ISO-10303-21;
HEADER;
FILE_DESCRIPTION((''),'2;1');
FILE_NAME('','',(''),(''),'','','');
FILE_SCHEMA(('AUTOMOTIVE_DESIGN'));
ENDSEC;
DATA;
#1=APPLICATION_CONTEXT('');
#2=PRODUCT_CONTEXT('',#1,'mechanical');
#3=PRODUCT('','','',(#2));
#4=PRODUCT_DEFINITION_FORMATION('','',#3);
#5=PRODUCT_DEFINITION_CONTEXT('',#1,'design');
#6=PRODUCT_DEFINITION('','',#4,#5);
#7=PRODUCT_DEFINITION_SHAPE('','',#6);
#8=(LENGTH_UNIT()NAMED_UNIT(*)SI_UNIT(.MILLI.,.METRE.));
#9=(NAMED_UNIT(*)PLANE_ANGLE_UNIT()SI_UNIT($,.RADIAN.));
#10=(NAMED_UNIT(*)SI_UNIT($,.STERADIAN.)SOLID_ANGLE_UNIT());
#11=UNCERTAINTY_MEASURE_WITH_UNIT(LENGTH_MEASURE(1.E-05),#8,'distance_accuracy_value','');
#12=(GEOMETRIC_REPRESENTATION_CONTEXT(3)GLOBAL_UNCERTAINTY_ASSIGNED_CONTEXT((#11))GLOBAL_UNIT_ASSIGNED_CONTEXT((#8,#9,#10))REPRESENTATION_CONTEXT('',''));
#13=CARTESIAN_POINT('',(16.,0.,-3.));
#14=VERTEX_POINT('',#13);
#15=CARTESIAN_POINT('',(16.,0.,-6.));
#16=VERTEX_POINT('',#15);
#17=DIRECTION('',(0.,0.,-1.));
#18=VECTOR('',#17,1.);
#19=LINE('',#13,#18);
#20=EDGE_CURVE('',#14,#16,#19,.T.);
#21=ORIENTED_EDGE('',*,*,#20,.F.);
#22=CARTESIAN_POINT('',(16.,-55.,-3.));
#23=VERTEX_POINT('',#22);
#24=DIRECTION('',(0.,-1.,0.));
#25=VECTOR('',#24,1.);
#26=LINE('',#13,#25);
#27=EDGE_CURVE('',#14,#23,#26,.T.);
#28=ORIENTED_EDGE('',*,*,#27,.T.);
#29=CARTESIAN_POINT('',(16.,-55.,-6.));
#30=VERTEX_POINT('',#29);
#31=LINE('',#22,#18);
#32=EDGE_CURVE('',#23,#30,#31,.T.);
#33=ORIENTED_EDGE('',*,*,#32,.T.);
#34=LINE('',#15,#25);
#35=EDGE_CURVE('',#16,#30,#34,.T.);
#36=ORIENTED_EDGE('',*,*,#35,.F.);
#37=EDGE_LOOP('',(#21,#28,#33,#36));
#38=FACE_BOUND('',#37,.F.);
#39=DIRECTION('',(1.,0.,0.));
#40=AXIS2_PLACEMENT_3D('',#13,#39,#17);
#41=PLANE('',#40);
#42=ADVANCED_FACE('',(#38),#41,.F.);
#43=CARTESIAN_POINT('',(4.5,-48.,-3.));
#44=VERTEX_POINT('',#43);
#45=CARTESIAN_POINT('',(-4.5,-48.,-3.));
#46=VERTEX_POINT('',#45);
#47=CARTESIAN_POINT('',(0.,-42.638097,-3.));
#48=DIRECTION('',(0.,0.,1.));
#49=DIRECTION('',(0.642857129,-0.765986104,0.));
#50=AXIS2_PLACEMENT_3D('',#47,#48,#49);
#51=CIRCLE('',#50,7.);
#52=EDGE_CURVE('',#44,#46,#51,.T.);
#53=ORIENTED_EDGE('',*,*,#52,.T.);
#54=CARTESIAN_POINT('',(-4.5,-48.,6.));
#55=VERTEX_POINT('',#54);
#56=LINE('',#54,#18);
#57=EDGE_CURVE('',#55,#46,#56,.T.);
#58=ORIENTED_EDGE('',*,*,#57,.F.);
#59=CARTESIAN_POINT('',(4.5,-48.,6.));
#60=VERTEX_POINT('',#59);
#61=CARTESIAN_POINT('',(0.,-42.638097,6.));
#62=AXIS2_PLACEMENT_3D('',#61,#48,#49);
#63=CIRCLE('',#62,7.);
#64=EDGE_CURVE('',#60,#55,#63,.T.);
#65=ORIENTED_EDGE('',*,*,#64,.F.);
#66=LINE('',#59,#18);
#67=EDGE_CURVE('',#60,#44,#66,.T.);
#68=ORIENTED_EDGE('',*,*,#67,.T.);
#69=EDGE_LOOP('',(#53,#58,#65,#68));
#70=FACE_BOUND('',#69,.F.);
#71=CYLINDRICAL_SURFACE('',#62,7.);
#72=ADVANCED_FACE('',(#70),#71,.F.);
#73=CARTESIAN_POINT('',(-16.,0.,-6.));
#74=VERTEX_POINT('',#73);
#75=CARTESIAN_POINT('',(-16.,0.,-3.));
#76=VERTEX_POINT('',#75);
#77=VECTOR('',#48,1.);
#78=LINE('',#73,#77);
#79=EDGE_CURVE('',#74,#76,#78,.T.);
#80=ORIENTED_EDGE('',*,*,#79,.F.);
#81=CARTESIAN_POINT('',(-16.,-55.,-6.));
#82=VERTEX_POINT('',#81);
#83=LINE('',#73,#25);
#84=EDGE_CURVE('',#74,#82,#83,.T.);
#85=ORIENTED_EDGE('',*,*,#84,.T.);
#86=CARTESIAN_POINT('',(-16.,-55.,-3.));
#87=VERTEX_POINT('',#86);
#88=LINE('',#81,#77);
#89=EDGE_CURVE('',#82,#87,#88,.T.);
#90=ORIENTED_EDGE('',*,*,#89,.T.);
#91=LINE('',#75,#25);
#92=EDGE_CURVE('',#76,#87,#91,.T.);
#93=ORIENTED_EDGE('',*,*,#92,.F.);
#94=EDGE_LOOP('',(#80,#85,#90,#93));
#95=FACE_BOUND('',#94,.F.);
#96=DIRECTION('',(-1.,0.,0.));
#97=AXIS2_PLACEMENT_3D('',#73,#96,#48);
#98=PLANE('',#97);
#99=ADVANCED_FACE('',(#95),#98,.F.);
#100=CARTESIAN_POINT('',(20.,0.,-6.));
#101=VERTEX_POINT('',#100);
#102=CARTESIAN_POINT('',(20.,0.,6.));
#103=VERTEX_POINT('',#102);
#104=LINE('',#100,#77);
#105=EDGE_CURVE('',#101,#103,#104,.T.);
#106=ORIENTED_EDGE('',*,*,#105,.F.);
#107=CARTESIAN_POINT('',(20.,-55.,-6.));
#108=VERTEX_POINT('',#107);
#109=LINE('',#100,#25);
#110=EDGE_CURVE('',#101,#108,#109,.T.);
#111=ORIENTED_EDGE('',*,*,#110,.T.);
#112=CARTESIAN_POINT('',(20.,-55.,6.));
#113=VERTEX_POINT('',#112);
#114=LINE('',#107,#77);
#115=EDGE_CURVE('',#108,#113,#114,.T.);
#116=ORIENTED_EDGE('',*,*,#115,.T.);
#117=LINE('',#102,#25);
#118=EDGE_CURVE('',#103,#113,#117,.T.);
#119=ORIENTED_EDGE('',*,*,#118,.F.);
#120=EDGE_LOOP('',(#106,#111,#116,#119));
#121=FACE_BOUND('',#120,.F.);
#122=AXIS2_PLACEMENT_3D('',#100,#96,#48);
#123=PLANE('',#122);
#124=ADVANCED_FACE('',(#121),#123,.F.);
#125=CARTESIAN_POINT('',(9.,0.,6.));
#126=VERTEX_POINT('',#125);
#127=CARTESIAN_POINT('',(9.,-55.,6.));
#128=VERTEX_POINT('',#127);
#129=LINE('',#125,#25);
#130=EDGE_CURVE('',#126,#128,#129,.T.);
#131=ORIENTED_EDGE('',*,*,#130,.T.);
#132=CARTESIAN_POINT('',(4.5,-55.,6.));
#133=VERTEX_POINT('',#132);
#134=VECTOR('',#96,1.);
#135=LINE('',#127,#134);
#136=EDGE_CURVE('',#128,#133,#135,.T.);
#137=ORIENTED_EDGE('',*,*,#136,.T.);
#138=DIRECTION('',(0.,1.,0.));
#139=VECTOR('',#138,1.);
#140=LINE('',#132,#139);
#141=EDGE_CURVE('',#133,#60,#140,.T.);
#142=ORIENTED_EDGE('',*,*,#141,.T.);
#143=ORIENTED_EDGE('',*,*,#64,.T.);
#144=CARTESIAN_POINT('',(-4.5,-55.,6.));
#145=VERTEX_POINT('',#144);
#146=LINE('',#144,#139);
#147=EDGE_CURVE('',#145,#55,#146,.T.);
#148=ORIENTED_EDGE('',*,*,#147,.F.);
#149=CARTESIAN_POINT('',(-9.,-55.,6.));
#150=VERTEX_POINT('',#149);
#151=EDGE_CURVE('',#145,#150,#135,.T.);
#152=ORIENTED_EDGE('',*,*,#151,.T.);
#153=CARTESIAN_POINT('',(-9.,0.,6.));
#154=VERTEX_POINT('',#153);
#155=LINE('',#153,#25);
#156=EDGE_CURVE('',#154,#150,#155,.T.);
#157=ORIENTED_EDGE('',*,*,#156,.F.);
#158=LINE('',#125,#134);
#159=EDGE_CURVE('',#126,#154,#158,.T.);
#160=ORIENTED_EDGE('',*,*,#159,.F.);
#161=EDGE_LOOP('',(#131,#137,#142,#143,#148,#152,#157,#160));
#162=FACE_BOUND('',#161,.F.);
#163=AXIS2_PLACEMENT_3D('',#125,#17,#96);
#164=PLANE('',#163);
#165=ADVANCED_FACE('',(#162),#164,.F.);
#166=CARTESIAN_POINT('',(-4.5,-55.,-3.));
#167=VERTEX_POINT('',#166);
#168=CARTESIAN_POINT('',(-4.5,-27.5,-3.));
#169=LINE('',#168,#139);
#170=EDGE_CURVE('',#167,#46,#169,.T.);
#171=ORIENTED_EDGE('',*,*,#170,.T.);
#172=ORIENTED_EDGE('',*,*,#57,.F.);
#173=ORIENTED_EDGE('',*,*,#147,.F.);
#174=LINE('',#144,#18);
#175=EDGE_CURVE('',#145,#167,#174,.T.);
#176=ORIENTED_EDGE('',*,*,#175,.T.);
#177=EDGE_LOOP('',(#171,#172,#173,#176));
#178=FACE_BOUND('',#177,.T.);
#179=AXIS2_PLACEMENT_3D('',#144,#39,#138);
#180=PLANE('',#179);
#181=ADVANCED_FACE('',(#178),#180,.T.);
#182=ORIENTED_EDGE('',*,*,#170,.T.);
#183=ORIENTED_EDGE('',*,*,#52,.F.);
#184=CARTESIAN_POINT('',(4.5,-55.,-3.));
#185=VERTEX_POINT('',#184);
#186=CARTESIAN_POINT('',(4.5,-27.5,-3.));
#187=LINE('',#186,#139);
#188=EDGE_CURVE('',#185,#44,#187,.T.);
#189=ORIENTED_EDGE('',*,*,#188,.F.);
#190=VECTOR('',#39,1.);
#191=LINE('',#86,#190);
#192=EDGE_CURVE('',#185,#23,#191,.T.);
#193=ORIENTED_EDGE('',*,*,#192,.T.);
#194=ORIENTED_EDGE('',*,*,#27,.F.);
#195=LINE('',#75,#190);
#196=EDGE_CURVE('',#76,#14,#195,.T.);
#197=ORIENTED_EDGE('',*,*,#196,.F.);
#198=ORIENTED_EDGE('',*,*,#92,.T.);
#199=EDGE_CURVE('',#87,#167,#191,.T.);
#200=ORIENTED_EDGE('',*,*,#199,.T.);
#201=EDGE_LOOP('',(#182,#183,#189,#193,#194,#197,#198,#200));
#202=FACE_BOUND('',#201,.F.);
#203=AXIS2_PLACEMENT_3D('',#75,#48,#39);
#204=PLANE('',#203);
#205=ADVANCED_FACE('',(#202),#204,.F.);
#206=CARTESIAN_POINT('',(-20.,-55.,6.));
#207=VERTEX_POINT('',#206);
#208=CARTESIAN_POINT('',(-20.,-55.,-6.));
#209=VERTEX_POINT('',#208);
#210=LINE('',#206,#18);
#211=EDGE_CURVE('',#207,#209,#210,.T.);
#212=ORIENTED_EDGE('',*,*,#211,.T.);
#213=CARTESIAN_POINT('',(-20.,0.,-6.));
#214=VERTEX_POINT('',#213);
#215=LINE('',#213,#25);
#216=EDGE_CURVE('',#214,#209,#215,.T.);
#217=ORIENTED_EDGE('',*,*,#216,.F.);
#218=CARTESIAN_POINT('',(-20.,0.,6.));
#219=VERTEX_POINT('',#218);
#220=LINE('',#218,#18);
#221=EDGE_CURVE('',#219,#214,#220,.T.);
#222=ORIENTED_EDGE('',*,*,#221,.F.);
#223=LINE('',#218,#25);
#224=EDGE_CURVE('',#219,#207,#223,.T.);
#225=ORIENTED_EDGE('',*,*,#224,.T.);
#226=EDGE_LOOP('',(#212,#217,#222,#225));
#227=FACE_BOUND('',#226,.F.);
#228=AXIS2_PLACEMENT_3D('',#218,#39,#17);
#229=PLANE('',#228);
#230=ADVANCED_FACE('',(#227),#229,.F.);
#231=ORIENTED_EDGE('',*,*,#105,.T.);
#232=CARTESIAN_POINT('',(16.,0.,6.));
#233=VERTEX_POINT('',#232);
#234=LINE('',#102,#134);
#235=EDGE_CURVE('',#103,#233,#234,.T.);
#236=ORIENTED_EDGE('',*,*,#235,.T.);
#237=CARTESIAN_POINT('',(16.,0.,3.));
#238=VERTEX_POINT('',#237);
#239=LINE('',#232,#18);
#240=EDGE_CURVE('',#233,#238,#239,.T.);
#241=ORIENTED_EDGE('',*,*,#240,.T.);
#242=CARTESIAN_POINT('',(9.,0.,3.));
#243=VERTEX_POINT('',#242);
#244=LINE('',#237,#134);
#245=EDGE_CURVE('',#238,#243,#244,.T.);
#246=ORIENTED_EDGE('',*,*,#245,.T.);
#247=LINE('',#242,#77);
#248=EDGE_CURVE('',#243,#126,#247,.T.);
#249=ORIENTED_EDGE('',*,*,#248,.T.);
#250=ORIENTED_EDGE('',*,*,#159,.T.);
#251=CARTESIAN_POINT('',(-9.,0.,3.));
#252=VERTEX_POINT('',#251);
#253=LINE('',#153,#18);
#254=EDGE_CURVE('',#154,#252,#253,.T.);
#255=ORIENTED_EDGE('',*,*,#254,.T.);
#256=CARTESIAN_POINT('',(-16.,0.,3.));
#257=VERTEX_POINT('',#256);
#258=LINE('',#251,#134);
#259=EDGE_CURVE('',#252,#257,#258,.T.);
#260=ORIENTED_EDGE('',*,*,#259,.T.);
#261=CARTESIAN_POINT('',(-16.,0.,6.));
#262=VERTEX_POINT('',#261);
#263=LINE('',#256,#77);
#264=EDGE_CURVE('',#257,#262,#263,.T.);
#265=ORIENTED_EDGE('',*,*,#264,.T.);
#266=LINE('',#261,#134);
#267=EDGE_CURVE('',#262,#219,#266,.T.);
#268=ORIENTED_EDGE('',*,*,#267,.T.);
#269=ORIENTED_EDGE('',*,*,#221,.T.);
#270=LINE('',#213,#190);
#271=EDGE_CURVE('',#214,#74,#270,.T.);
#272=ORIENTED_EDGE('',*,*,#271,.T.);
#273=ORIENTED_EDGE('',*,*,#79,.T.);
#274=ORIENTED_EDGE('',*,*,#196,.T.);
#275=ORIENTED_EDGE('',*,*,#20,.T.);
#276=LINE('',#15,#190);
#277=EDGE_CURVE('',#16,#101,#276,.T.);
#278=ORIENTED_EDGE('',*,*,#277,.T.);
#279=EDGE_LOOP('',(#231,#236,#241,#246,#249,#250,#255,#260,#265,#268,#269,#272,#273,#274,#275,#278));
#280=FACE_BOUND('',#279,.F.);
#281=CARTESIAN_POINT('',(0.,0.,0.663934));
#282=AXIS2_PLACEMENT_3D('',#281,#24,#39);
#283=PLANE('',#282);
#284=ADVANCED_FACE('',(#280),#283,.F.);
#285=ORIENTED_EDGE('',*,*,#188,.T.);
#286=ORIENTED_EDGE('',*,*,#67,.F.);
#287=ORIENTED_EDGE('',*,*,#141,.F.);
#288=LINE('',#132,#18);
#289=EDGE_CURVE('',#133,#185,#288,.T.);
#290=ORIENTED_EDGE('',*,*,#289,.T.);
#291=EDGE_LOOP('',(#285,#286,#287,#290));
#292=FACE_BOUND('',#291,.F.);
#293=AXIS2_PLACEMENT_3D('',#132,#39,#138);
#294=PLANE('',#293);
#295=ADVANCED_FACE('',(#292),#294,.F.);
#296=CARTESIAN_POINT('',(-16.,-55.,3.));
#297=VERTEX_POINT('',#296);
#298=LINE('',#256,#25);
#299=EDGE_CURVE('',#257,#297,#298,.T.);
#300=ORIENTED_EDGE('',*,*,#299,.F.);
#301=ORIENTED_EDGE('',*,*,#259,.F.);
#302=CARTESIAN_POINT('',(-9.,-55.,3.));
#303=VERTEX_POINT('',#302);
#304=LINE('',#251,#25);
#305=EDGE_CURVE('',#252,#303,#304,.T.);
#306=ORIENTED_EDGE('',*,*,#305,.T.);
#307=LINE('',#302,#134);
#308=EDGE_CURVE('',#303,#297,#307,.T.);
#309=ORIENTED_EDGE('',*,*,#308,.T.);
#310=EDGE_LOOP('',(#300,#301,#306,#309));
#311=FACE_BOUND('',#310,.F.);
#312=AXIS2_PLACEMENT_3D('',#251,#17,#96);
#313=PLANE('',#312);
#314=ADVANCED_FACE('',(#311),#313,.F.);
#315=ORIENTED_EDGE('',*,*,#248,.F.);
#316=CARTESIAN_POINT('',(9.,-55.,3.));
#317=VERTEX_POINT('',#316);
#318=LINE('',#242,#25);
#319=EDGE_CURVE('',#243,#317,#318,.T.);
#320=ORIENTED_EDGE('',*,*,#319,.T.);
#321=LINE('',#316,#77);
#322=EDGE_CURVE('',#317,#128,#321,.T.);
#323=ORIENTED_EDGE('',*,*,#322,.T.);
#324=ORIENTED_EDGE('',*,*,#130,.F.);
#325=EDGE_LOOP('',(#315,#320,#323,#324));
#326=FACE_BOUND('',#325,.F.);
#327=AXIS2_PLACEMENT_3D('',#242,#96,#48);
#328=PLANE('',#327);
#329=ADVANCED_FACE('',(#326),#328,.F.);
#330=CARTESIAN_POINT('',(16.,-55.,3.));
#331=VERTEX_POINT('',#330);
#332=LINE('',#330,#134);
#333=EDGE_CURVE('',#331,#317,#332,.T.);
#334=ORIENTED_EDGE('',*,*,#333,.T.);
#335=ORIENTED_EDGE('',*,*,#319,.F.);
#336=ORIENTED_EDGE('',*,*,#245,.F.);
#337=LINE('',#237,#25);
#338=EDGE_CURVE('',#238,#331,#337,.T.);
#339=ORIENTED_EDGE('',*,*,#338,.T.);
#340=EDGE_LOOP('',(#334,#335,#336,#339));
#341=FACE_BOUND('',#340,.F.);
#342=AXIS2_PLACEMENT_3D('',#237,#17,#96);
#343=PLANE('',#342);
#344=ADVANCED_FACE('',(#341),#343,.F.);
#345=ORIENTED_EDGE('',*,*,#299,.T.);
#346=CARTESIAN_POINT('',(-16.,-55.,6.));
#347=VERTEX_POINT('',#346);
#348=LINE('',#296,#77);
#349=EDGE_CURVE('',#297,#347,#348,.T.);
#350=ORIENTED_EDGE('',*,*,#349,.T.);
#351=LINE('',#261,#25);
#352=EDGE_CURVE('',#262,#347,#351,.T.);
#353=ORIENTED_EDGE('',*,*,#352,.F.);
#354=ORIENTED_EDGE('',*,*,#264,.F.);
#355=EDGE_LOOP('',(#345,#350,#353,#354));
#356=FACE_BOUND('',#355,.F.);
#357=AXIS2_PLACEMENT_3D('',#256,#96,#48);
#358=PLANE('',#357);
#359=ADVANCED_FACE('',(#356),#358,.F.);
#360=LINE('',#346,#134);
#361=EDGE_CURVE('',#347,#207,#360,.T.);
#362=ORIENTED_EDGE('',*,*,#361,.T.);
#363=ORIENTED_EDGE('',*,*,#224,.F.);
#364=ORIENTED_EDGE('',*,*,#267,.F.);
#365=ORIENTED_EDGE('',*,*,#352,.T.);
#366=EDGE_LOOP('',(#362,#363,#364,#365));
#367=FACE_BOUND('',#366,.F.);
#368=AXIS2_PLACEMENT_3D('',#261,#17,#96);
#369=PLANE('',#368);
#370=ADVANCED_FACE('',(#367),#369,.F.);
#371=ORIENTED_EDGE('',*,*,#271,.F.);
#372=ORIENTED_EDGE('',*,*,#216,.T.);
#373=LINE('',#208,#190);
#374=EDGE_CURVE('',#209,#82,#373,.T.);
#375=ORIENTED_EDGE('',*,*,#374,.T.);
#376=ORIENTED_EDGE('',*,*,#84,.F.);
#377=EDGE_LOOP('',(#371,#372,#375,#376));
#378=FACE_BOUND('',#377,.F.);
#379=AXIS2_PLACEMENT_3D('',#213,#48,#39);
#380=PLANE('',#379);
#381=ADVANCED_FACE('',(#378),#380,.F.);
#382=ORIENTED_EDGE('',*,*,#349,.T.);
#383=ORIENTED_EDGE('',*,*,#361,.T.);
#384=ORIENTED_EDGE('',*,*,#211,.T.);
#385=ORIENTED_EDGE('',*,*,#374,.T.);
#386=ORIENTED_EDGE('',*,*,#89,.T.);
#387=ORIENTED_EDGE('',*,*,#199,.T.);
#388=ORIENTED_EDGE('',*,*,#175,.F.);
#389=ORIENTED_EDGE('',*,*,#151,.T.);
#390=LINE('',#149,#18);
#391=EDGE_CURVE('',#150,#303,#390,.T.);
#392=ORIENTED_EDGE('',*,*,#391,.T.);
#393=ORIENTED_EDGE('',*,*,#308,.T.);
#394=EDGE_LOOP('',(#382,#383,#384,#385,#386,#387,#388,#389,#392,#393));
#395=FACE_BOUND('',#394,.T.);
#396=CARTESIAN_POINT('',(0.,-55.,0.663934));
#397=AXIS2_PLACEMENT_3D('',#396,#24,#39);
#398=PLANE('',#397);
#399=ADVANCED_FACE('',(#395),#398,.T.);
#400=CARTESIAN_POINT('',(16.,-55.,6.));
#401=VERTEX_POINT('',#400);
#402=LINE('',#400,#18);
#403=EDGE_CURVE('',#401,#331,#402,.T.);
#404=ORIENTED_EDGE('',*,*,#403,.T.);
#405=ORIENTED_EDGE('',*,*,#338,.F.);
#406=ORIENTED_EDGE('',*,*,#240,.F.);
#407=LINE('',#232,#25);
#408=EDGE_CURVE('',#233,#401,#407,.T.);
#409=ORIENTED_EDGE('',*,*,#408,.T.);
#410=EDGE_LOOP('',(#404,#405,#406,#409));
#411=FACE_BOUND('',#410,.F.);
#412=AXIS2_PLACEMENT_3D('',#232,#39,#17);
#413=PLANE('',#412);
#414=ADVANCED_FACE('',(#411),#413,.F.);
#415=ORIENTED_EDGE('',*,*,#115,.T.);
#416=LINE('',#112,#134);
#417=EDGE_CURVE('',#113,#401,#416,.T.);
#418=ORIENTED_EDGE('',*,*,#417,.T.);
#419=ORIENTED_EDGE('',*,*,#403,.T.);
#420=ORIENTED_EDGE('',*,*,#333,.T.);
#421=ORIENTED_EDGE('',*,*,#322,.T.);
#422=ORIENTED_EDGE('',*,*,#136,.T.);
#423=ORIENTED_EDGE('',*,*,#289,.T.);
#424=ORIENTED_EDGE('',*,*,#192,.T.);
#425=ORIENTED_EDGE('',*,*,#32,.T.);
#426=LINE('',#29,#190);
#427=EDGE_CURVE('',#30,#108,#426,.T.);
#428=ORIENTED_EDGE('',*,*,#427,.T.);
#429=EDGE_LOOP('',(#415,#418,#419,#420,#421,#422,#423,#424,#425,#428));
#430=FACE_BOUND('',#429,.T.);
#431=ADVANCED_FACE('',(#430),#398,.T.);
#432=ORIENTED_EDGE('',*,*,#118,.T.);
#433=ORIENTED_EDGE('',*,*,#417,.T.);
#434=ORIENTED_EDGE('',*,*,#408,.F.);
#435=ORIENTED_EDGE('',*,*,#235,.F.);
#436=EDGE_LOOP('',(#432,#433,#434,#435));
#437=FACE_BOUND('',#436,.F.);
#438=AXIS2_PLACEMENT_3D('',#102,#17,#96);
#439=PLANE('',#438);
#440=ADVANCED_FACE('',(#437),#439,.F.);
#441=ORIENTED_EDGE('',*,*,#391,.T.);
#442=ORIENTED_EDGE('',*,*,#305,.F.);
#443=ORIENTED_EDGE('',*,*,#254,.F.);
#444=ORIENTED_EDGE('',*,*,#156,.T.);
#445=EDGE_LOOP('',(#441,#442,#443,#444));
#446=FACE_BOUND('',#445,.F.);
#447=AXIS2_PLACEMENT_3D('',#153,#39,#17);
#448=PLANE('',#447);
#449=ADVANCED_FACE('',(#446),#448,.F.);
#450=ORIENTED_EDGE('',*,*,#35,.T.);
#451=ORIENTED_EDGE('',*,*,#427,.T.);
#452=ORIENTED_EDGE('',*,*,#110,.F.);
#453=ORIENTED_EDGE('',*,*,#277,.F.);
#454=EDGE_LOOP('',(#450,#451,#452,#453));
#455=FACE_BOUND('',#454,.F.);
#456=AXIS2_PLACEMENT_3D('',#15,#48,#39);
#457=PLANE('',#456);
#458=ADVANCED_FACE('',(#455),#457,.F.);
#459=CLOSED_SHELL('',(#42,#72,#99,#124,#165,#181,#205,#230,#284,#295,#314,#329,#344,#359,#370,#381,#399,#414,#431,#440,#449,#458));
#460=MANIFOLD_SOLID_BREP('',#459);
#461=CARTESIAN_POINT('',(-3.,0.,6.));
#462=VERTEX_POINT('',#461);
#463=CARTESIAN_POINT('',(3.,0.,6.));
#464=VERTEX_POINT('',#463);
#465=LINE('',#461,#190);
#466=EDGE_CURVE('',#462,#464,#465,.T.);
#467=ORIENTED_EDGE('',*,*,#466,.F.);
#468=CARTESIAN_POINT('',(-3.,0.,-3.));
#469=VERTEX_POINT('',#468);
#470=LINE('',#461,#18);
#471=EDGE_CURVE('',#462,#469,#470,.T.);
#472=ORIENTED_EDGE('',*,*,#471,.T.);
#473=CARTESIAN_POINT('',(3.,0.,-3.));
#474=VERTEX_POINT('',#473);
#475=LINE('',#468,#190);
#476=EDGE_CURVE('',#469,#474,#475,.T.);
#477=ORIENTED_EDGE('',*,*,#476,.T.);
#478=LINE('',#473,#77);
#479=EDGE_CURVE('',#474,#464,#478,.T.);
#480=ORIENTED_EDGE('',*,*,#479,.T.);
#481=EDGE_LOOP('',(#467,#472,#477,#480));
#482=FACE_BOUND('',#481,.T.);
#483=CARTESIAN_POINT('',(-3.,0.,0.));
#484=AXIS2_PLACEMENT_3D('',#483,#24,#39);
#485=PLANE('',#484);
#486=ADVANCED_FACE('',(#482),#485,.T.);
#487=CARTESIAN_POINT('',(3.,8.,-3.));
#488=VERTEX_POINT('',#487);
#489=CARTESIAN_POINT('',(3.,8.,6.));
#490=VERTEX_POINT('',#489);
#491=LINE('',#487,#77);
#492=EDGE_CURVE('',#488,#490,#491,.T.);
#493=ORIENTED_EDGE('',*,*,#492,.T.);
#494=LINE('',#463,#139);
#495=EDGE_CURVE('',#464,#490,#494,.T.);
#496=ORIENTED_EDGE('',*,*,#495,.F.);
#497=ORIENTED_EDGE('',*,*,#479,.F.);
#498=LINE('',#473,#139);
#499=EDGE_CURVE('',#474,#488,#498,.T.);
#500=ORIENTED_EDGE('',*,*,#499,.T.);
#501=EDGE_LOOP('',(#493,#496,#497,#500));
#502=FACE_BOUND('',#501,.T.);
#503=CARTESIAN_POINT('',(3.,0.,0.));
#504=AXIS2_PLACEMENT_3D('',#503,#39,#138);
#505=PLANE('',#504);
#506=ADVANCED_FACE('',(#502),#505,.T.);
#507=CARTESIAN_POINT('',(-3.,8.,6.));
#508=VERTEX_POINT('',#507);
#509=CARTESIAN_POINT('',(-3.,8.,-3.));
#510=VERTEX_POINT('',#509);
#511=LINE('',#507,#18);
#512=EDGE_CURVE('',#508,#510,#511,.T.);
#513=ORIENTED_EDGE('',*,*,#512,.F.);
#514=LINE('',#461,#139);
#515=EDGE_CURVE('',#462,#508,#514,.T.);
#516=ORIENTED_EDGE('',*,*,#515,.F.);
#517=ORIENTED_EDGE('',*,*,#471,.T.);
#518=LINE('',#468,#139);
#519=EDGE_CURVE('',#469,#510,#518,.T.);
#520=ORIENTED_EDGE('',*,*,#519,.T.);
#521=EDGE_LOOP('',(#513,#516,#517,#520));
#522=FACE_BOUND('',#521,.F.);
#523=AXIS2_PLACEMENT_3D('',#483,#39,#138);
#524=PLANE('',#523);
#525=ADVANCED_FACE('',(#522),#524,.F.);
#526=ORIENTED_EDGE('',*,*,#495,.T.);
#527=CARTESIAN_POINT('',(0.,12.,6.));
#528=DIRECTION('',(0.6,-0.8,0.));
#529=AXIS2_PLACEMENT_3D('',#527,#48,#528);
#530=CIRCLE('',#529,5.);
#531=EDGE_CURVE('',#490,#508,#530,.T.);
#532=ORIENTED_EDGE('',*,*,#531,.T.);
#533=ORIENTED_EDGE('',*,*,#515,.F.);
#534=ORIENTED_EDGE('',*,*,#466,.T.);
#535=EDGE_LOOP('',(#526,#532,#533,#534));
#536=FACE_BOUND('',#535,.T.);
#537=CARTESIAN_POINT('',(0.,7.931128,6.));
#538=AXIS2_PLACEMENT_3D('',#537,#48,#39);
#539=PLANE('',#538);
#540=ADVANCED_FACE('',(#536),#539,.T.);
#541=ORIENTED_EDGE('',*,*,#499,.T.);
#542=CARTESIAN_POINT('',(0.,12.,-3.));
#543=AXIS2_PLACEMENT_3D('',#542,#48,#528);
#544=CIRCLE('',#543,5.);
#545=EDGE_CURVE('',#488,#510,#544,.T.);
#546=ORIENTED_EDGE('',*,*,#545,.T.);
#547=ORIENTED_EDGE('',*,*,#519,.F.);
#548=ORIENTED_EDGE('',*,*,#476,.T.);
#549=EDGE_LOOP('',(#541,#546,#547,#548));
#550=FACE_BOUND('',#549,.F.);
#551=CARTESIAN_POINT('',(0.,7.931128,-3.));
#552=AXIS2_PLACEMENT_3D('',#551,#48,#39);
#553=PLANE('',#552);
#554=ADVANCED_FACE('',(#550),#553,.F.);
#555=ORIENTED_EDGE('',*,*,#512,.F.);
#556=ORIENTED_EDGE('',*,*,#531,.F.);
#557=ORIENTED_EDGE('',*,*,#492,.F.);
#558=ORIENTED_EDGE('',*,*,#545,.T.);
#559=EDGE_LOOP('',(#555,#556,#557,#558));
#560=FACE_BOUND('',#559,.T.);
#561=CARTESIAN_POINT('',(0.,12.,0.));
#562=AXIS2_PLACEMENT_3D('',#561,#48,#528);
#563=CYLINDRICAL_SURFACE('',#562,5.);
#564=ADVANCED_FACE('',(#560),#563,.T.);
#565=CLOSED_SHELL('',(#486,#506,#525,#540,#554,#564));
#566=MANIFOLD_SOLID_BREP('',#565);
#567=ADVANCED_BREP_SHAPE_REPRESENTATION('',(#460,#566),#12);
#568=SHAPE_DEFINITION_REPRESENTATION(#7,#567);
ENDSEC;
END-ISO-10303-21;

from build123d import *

# Parameters (mm, degrees)
PAD_DEPTH         = 55
POCKET_DEPTH      = 12.001
PAD001_DEPTH      = 6
PAD001_DEPTH_BACK = 3


with BuildPart() as body:
    # Sketch → Pad (new body)
    with BuildSketch(Plane.XZ):
        Polygon((-20, 6), (-20, -6), (-16, -6), (-16, -3), (-9, -3), (9, -3), (16, -3), (16, -6), (20, -6), (20, 6), (16, 6), (16, 3), (9, 3), (9, 6), (-9, 6), (-9, 3), (-16, 3), (-16, 6), align=None)
    extrude(amount=PAD_DEPTH)

    # Sketch002 (on Face14 of Pad) → Pocket (cut, through all)
    with BuildSketch(Plane(origin=(0, 0, 6), x_dir=(-1, 0, 0), z_dir=(0, 0, 1))):
        with BuildLine():
            Line((-4.5, 55), (4.5, 55))
            Line((4.5, 55), (4.5, 48))
            ThreePointArc((-4.5, 48), (0, 35.638097), (4.5, 48))
            Line((-4.5, 55), (-4.5, 48))
        make_face()
    extrude(amount=-POCKET_DEPTH, mode=Mode.SUBTRACT)


with BuildPart() as body001:
    # Sketch001 → Pad001 (new body, two sides)
    with BuildSketch(Plane.XY) as pad001_sk:
        with BuildLine():
            Line((-3, 0), (3, 0))
            Line((3, 0), (3, 8))
            ThreePointArc((3, 8), (0, 17), (-3, 8))
            Line((-3, 0), (-3, 8))
        make_face()
    extrude(amount=PAD001_DEPTH)
    extrude(pad001_sk.sketch, amount=-PAD001_DEPTH_BACK)


solid = Compound([body.part, body001.part])
